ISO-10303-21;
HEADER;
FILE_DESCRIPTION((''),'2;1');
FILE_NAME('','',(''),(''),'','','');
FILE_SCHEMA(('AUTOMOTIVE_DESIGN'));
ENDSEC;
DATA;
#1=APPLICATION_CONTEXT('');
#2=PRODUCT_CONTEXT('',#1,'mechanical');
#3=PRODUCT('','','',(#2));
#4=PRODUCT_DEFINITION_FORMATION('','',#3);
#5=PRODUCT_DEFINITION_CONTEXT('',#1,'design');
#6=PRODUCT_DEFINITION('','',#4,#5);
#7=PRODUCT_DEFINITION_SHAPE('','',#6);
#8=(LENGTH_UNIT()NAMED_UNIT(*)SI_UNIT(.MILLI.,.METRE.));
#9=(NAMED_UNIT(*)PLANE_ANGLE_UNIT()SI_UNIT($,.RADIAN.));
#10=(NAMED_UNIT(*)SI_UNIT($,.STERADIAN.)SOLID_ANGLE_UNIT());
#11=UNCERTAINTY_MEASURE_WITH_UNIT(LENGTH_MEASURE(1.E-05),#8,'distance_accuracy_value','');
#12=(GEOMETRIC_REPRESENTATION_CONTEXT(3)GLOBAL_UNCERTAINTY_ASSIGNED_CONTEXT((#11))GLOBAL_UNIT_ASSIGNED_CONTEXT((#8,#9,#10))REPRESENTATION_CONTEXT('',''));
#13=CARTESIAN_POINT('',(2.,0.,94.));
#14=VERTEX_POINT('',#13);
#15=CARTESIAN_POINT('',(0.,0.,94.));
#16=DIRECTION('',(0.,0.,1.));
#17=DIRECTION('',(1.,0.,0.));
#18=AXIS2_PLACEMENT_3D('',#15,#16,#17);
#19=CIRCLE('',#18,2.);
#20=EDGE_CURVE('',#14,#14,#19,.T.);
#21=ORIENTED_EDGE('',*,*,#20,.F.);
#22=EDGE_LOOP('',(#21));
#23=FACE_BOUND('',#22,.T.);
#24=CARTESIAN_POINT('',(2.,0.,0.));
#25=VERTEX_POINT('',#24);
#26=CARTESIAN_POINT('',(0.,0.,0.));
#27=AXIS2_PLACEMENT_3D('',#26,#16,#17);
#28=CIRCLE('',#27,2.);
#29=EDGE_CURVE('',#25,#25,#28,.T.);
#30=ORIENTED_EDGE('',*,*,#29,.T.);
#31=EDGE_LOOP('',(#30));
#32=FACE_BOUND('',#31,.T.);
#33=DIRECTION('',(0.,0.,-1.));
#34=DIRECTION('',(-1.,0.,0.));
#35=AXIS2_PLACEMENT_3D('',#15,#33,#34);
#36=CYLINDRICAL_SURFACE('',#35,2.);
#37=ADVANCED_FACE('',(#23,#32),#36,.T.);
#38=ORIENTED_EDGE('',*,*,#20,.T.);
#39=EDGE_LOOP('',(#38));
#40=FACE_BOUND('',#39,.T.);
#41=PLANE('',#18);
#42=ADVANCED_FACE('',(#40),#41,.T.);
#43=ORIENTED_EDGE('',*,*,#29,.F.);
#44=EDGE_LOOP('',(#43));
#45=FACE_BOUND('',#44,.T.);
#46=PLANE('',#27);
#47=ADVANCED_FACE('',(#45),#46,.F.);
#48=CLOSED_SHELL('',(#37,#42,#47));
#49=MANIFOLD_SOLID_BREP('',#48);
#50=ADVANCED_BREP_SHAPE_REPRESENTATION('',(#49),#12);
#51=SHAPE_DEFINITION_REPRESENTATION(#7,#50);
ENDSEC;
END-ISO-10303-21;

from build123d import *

# Parameters (mm, degrees)
SKETCH_1_R      = 2
EXTRUDE_1_DEPTH = 94


with BuildPart() as part:
    # 草图1 → 凸台-拉伸1 (new body)
    with BuildSketch(Plane.XY):
        Circle(SKETCH_1_R)
    extrude(amount=EXTRUDE_1_DEPTH)


solid = part.part
